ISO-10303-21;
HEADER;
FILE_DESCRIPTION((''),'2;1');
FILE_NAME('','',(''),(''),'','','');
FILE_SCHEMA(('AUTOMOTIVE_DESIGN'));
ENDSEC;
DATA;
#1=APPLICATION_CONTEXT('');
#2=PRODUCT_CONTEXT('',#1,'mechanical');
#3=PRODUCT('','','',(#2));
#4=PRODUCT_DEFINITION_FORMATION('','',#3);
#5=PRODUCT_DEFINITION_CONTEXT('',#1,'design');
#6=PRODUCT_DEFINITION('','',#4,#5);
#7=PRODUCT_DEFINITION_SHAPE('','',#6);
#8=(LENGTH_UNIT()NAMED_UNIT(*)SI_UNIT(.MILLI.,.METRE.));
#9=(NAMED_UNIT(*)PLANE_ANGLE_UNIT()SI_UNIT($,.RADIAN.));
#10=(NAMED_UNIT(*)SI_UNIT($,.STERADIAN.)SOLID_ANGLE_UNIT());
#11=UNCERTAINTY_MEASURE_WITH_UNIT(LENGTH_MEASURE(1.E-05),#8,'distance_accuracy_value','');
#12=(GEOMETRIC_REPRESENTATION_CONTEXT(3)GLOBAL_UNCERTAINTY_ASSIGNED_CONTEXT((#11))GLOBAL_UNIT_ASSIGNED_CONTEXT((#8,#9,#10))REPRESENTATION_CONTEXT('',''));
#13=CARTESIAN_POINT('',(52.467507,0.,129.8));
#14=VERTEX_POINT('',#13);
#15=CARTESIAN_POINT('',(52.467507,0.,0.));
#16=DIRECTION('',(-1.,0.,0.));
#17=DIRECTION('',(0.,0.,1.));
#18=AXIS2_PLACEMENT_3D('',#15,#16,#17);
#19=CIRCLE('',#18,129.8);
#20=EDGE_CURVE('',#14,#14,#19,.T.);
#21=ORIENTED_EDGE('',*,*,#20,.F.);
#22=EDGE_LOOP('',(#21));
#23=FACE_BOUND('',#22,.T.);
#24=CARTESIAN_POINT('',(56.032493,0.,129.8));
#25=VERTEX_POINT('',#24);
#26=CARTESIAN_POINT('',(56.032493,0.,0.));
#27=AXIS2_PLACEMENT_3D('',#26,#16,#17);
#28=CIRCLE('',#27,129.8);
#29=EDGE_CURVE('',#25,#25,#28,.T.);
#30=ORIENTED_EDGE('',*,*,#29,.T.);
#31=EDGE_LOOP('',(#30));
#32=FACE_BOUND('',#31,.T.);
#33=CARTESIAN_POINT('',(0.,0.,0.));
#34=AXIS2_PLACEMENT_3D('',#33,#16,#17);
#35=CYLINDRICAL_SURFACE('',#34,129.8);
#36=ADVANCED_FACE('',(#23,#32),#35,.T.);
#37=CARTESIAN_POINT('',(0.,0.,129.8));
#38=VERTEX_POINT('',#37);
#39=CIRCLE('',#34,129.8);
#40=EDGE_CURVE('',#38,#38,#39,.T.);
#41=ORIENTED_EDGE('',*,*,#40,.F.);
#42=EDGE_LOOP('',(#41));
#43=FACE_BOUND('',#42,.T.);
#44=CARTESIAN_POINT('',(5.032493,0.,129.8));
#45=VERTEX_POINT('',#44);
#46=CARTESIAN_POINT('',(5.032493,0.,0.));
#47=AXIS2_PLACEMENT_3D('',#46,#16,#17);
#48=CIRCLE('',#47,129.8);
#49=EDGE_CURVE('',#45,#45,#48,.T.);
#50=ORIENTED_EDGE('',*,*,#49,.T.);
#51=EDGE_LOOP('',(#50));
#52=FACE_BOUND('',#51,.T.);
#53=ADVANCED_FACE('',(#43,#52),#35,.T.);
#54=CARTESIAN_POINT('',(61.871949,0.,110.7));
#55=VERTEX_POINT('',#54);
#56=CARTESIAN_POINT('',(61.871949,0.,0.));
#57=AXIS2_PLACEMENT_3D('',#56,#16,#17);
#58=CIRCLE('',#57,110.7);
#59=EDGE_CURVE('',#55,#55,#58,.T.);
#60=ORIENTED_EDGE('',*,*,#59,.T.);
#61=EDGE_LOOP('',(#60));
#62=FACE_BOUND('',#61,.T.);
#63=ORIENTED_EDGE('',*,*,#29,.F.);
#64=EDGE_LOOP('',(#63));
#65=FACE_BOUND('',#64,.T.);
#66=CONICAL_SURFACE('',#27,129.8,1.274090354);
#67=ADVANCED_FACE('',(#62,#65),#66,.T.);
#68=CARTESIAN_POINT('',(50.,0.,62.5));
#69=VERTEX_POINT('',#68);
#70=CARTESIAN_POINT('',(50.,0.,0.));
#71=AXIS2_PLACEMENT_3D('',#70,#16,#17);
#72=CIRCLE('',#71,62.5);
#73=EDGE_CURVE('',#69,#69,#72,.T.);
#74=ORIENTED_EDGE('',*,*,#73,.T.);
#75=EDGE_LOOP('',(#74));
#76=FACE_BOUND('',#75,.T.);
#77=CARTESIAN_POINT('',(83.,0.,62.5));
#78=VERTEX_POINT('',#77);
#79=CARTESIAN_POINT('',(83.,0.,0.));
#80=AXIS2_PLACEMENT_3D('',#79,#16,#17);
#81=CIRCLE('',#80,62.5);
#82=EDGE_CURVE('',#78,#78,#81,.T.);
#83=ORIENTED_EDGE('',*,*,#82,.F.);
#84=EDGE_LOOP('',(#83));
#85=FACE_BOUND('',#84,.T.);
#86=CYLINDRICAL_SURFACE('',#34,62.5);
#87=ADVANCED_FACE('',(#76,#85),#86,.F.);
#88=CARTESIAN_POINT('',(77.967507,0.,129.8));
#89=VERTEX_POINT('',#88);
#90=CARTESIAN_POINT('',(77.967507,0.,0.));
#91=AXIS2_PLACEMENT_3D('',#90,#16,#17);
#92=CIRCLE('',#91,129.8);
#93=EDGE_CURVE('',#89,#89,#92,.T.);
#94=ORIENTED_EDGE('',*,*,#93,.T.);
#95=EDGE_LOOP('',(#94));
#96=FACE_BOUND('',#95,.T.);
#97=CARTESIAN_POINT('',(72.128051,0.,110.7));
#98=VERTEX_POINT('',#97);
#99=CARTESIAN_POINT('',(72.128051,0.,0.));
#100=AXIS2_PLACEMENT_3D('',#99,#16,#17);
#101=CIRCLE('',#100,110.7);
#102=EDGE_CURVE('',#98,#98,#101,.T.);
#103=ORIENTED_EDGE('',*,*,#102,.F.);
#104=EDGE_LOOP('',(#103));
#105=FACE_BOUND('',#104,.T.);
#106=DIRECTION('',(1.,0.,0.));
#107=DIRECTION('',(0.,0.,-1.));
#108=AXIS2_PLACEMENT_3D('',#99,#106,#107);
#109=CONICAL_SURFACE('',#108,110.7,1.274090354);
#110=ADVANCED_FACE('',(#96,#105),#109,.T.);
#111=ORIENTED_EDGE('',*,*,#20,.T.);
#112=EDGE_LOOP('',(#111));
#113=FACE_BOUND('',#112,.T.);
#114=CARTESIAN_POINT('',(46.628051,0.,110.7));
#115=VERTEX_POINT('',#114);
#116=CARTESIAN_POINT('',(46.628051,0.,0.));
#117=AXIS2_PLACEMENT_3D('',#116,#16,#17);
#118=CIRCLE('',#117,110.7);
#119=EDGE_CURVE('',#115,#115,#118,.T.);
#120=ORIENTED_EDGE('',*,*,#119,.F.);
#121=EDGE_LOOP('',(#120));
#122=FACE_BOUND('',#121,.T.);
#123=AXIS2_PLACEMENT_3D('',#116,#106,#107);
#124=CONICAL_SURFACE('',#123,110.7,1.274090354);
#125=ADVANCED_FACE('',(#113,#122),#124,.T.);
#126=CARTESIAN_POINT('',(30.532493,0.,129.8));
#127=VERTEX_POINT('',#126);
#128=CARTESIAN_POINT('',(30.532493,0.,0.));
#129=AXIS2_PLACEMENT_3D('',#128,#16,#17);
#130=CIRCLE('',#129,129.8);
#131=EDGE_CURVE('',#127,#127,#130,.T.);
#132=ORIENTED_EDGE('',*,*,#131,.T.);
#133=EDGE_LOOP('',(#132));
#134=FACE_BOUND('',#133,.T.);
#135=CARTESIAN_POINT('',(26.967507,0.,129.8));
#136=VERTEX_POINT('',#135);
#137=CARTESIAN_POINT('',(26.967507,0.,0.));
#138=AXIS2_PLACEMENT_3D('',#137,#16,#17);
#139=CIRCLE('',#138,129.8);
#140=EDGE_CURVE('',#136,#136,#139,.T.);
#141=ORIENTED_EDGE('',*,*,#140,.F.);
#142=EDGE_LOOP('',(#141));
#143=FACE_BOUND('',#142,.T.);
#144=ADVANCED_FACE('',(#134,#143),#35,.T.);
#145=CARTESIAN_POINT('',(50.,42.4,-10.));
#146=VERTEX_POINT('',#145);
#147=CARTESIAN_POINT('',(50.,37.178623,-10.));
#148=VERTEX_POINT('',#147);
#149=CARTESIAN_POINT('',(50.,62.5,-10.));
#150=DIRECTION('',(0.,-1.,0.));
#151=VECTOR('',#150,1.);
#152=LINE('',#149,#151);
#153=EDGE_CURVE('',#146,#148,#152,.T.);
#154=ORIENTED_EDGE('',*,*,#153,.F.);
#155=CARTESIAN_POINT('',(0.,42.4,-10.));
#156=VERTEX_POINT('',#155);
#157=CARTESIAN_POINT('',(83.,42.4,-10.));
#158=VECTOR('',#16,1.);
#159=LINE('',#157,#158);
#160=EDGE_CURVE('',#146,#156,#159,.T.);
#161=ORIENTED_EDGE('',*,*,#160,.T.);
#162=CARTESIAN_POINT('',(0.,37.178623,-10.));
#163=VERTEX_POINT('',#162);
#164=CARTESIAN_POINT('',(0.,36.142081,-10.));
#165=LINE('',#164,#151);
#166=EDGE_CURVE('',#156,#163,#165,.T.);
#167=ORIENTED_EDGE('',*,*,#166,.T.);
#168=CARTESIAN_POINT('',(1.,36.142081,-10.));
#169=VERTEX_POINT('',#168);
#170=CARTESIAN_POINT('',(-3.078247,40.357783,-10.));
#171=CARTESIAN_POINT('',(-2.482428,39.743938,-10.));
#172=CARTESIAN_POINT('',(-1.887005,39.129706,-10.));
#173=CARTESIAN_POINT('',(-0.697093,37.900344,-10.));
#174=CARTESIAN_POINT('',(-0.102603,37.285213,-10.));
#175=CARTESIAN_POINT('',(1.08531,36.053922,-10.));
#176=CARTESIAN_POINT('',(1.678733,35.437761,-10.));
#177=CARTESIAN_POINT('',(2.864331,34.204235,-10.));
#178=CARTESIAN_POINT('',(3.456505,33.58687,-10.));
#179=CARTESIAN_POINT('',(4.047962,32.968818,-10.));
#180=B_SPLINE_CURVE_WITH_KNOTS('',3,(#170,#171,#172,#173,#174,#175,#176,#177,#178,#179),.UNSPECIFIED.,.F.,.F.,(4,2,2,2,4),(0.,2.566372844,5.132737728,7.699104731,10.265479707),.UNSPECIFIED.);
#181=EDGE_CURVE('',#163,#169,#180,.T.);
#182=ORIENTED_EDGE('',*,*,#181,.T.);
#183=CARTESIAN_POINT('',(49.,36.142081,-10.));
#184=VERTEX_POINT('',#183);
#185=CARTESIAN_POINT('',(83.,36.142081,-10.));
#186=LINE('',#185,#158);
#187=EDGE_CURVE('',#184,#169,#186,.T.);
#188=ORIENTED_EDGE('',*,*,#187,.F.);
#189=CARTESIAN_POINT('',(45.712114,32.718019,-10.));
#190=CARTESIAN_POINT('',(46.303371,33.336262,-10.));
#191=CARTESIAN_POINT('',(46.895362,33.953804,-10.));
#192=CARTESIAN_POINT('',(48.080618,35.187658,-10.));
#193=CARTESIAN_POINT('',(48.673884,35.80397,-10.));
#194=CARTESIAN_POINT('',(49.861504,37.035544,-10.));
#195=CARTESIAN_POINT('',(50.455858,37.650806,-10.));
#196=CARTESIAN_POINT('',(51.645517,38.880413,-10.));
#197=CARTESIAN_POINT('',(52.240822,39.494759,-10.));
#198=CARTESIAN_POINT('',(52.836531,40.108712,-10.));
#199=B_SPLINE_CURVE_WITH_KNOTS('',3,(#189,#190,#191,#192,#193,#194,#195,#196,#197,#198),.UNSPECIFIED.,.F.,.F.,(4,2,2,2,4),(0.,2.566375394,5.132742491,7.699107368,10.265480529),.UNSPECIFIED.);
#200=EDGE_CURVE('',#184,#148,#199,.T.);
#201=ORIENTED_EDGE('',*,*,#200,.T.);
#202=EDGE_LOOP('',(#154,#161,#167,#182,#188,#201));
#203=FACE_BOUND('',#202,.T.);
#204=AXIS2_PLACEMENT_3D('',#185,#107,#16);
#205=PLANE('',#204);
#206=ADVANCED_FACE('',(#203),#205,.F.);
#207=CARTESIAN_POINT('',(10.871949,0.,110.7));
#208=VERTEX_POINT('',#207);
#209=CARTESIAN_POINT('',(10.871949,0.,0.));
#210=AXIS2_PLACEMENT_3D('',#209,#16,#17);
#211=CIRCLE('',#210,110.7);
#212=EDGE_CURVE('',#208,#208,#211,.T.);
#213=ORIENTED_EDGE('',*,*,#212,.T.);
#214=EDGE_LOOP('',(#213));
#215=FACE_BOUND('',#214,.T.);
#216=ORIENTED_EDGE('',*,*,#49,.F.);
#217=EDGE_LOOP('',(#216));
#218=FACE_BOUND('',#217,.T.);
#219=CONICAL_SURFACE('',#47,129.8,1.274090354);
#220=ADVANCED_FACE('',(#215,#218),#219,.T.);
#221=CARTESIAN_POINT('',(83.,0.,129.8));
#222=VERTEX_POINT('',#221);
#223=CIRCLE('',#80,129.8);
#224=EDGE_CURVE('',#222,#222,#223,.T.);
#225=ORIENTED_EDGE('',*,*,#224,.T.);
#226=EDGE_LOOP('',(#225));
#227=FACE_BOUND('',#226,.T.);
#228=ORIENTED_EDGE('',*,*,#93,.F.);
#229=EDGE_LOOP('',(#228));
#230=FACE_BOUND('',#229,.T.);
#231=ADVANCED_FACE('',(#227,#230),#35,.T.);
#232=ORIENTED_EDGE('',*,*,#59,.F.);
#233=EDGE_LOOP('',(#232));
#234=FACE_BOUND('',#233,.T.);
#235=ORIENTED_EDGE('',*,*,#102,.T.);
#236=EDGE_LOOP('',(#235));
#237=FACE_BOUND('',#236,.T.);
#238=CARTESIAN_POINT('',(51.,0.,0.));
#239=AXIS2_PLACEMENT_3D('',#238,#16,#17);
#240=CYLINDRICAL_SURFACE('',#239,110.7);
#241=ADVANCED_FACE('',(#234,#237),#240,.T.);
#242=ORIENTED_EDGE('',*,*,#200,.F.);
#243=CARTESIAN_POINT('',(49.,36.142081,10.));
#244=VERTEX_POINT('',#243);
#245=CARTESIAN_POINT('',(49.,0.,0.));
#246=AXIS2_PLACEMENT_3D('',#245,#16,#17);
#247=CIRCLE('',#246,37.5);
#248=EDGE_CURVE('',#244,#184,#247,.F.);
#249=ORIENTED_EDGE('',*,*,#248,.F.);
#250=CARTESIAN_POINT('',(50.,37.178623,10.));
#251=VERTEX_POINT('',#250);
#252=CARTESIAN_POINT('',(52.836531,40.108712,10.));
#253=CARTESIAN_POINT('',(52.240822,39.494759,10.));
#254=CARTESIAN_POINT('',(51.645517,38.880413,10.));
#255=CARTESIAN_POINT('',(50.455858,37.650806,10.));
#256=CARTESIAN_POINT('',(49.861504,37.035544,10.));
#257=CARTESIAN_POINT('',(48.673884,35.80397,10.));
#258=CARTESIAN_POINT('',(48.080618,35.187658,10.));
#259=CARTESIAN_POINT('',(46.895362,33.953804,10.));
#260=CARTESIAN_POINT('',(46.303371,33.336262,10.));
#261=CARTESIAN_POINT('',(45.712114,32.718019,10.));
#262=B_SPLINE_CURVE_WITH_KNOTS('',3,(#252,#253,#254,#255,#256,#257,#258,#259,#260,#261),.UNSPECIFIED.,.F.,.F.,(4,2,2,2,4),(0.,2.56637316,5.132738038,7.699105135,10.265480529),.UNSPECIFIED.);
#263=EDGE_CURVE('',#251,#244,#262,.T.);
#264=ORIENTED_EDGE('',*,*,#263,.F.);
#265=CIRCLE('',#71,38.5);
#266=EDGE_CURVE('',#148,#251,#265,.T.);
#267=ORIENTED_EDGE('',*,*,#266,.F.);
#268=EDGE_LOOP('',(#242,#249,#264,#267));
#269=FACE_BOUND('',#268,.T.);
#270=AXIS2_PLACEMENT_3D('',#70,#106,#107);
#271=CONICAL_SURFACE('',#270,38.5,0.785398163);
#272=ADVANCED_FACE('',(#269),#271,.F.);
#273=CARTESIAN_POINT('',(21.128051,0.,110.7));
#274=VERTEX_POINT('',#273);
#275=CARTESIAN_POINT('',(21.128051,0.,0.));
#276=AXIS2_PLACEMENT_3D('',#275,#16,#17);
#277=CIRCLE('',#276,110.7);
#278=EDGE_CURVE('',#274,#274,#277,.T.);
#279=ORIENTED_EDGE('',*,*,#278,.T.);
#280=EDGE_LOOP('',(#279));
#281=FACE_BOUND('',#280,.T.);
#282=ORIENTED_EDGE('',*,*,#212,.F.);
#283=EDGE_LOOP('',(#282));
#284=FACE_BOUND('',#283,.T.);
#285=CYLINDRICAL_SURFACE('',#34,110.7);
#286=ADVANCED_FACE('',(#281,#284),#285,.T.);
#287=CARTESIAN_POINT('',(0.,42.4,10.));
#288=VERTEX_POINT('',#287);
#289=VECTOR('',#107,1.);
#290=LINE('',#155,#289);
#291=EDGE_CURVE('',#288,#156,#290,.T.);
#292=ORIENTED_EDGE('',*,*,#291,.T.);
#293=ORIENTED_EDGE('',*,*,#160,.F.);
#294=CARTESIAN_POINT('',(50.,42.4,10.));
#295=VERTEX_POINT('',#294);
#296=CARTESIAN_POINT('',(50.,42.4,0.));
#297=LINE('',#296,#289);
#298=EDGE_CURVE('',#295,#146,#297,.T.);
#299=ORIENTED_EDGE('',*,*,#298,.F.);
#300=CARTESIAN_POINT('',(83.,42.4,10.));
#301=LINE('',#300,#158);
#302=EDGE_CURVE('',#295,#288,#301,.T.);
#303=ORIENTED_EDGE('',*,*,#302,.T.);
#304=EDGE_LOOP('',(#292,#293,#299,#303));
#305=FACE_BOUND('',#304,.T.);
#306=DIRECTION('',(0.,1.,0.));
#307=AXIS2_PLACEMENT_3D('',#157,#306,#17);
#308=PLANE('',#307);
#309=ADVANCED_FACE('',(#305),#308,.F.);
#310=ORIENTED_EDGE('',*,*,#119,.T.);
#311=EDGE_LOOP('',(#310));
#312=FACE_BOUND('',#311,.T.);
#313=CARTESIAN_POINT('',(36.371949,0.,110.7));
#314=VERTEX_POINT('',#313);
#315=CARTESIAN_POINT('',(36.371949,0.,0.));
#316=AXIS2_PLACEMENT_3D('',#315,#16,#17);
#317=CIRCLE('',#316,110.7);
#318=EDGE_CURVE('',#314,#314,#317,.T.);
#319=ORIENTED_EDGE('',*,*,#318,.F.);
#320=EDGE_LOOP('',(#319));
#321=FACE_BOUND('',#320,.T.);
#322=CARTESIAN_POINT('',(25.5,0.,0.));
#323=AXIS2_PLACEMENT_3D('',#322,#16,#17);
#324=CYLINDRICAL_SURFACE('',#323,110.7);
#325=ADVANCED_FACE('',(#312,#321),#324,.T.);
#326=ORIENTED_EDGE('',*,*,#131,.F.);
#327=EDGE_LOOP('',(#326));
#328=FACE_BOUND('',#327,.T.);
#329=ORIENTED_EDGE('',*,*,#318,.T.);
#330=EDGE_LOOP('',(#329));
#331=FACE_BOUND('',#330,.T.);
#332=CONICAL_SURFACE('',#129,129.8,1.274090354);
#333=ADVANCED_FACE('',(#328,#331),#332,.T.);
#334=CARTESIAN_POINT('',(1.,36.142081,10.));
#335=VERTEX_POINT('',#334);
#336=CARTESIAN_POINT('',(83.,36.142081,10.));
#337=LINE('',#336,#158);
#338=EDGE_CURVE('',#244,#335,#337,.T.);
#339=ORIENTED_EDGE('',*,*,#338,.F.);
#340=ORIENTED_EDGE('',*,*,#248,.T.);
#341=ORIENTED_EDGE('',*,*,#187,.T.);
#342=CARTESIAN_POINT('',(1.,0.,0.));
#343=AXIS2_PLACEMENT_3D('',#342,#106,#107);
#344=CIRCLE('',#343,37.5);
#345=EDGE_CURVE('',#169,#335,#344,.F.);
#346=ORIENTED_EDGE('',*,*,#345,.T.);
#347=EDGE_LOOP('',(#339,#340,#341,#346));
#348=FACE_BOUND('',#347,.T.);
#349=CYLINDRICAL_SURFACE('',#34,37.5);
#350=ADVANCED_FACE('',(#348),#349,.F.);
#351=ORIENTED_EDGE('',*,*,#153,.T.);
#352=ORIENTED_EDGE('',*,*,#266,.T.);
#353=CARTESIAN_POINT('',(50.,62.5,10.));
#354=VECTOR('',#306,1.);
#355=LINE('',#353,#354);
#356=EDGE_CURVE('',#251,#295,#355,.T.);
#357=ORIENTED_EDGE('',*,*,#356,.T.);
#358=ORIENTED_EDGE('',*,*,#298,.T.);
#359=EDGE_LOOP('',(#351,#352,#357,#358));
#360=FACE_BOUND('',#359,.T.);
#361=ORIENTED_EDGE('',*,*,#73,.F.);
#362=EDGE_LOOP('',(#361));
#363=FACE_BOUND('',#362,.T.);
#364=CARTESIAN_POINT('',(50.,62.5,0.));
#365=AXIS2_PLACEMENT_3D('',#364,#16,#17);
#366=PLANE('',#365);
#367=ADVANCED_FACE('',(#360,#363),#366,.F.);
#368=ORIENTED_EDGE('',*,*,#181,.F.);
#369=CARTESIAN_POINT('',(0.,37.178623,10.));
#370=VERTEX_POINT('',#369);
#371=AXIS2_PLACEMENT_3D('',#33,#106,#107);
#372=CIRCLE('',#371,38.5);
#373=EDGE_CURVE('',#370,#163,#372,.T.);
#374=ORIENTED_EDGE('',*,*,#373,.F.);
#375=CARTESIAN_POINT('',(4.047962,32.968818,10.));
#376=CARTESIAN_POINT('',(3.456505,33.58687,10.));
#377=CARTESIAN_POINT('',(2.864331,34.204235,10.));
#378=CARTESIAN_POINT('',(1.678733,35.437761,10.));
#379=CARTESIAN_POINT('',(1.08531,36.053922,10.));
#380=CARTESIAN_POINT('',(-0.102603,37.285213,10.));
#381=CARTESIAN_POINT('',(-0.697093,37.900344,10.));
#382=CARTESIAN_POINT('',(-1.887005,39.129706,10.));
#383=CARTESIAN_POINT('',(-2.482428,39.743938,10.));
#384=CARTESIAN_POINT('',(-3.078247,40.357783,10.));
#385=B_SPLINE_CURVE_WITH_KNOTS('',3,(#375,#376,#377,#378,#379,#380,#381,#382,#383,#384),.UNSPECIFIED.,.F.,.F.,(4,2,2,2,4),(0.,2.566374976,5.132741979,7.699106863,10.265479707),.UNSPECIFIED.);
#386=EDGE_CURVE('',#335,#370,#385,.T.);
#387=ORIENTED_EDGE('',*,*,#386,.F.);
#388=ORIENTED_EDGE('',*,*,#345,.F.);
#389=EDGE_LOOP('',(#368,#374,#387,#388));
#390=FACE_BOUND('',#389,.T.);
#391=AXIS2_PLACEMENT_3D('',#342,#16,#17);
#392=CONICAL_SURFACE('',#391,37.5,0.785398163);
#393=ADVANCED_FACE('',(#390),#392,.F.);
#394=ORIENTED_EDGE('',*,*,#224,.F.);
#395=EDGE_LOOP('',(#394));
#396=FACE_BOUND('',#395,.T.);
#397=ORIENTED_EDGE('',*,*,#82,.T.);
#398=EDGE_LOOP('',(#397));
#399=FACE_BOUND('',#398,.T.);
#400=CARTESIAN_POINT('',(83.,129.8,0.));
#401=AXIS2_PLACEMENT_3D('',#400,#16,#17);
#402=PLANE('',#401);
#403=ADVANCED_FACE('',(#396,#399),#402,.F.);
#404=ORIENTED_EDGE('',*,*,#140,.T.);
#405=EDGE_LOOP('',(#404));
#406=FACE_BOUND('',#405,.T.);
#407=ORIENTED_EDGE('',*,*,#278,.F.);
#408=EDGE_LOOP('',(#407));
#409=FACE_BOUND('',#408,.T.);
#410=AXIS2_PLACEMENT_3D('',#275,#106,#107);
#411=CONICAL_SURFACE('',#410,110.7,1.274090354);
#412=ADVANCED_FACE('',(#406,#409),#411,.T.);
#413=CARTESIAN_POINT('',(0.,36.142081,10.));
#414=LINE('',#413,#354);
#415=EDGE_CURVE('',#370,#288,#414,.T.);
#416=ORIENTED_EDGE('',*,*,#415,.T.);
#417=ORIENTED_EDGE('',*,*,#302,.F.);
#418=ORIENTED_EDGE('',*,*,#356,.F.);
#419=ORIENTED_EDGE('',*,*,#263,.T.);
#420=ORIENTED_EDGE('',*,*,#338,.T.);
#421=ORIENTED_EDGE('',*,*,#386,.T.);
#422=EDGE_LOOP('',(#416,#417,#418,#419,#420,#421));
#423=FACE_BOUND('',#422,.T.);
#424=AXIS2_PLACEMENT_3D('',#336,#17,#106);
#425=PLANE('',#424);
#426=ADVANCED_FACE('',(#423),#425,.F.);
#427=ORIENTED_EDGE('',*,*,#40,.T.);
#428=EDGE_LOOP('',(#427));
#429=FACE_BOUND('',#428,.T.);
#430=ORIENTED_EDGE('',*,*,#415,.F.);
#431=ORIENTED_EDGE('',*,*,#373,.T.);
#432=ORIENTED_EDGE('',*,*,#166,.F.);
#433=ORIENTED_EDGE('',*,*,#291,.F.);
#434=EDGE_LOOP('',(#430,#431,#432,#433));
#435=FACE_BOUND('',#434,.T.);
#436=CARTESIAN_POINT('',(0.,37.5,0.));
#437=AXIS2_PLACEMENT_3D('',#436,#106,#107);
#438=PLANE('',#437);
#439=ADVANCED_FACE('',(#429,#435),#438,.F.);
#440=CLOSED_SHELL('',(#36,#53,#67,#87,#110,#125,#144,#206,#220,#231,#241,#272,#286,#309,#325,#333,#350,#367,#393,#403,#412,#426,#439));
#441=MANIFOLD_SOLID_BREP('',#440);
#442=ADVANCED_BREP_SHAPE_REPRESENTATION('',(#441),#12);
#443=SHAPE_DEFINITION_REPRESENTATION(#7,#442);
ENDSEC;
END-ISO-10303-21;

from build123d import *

# Parameters (mm, degrees)
PATTERN_LINEAR_1_COUNT = 3
PATTERN_LINEAR_1_PITCH = 25.5
CHAMFER_1_SIZE         = 1
SKETCH_4_W             = 20
SKETCH_4_H             = 6.257919358
CUT_EXTRUDE_1_DEPTH    = 202.457390036


with BuildPart() as part:
    # 草图1 → 旋转1 (revolve)
    with BuildSketch(Plane.XY, mode=Mode.PRIVATE) as revolve_1_sk:
        Polygon((0, 37.5), (0, 129.8), (83, 129.8), (83, 62.5), (50, 62.5), (50, 37.5), align=None)
    revolve(revolve_1_sk.sketch.rotate(Axis((0, 0, 0), (1, 0, 0)), 90), axis=Axis((0, 0, 0), (1, 0, 0)))

    # 草图2 → 切除-旋转1 (revolve, cut)
    with BuildSketch(Plane.XY, mode=Mode.PRIVATE) as cut_revolve_1_sk:
        Polygon((21.128051255, 110.7), (26.967507271, 129.8), (5.032492729, 129.8), (10.871948745, 110.7), align=None)
    cut_revolve_1 = revolve(cut_revolve_1_sk.sketch.rotate(Axis((0, 0, 0), (1, 0, 0)), 90), axis=Axis((0, 0, 0), (1, 0, 0)), mode=Mode.SUBTRACT)

    # 阵列(线性)1: 切除-旋转1 ×3
    with Locations(*[(i * PATTERN_LINEAR_1_PITCH, 0, 0) for i in range(1, PATTERN_LINEAR_1_COUNT)]):
        add(cut_revolve_1, mode=Mode.SUBTRACT)

    # 倒角1
    chamfer_1_edges = [part.edges().sort_by_distance(p)[0] for p in [
        (0, 0, -37.5),
        (50, 0, -37.5),
    ]]
    chamfer(chamfer_1_edges, length=CHAMFER_1_SIZE)

    # 草图4 → 切除-拉伸1 (cut, through all)
    with BuildSketch(Plane.ZY):
        with Locations((0, 39.271040416)):
            Rectangle(SKETCH_4_W, SKETCH_4_H)
    extrude(amount=-CUT_EXTRUDE_1_DEPTH, mode=Mode.SUBTRACT)


solid = part.part
